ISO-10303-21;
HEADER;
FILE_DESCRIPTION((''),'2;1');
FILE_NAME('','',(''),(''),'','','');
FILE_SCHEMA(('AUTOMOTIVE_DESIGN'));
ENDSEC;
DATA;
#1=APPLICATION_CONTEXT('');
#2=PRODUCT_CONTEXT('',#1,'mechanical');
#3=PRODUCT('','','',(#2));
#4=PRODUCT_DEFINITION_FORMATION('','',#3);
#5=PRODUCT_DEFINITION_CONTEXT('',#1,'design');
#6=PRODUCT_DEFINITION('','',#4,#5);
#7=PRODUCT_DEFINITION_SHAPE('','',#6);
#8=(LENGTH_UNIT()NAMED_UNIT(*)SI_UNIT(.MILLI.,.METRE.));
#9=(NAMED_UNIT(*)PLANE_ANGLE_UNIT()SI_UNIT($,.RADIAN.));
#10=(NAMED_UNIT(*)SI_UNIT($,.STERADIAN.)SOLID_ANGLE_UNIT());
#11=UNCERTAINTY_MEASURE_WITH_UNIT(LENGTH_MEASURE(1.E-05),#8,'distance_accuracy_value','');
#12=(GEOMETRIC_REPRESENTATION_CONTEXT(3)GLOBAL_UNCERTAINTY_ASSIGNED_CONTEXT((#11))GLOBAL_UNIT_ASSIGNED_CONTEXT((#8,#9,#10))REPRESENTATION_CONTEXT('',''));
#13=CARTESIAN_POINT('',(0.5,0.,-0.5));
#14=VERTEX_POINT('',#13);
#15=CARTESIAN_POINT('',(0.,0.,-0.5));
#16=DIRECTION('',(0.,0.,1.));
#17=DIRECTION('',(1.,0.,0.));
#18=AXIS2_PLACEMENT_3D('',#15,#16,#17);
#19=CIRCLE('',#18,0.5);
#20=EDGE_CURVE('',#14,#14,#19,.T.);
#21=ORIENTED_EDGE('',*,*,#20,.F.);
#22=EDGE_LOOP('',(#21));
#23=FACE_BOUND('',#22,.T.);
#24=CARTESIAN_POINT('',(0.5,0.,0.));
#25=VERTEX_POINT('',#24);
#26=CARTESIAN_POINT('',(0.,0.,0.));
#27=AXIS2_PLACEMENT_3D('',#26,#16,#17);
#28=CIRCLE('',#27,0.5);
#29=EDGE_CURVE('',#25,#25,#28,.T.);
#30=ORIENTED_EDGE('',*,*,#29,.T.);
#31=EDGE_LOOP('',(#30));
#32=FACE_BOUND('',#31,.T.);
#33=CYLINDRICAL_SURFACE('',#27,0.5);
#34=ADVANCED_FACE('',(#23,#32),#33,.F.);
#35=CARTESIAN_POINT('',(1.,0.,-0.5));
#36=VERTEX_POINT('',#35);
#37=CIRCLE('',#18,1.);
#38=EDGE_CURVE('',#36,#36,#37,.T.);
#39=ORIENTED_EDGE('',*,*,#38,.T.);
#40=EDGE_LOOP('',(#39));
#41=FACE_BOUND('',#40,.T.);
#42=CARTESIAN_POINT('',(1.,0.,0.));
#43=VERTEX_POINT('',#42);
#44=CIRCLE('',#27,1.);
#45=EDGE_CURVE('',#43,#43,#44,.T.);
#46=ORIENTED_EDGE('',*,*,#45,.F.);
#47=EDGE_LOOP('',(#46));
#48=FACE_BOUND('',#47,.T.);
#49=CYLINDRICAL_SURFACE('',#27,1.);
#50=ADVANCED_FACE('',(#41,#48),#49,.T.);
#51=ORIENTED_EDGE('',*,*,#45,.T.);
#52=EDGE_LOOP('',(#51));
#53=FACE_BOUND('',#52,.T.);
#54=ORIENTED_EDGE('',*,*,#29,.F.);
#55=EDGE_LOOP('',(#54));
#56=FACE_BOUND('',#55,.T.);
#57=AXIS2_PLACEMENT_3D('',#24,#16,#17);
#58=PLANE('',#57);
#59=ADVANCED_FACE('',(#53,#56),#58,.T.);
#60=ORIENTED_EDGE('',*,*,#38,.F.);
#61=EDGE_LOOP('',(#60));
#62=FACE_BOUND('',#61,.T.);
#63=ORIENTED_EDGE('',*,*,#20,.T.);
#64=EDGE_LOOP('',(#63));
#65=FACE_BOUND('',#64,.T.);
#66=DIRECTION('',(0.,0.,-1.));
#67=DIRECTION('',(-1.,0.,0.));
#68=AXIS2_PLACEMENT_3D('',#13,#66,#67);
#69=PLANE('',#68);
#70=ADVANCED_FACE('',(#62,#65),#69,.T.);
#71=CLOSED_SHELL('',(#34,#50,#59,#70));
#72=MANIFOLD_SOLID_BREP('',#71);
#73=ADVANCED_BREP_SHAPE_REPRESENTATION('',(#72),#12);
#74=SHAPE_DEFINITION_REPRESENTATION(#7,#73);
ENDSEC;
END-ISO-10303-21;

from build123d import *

# Parameters (mm, degrees)
CROQUIS1_W = 0.5
CROQUIS1_H = 0.5


with BuildPart() as part:
    # Croquis1 → Revolución1 (revolve)
    with BuildSketch(Plane(origin=(0, 0, 0), x_dir=(1, 0, 0), z_dir=(0, 1, 0))):
        with Locations((0.75, 0.25)):
            Rectangle(CROQUIS1_W, CROQUIS1_H)
    revolve(axis=Axis((0, 0, 0), (0, 0, -1)))


solid = part.part
